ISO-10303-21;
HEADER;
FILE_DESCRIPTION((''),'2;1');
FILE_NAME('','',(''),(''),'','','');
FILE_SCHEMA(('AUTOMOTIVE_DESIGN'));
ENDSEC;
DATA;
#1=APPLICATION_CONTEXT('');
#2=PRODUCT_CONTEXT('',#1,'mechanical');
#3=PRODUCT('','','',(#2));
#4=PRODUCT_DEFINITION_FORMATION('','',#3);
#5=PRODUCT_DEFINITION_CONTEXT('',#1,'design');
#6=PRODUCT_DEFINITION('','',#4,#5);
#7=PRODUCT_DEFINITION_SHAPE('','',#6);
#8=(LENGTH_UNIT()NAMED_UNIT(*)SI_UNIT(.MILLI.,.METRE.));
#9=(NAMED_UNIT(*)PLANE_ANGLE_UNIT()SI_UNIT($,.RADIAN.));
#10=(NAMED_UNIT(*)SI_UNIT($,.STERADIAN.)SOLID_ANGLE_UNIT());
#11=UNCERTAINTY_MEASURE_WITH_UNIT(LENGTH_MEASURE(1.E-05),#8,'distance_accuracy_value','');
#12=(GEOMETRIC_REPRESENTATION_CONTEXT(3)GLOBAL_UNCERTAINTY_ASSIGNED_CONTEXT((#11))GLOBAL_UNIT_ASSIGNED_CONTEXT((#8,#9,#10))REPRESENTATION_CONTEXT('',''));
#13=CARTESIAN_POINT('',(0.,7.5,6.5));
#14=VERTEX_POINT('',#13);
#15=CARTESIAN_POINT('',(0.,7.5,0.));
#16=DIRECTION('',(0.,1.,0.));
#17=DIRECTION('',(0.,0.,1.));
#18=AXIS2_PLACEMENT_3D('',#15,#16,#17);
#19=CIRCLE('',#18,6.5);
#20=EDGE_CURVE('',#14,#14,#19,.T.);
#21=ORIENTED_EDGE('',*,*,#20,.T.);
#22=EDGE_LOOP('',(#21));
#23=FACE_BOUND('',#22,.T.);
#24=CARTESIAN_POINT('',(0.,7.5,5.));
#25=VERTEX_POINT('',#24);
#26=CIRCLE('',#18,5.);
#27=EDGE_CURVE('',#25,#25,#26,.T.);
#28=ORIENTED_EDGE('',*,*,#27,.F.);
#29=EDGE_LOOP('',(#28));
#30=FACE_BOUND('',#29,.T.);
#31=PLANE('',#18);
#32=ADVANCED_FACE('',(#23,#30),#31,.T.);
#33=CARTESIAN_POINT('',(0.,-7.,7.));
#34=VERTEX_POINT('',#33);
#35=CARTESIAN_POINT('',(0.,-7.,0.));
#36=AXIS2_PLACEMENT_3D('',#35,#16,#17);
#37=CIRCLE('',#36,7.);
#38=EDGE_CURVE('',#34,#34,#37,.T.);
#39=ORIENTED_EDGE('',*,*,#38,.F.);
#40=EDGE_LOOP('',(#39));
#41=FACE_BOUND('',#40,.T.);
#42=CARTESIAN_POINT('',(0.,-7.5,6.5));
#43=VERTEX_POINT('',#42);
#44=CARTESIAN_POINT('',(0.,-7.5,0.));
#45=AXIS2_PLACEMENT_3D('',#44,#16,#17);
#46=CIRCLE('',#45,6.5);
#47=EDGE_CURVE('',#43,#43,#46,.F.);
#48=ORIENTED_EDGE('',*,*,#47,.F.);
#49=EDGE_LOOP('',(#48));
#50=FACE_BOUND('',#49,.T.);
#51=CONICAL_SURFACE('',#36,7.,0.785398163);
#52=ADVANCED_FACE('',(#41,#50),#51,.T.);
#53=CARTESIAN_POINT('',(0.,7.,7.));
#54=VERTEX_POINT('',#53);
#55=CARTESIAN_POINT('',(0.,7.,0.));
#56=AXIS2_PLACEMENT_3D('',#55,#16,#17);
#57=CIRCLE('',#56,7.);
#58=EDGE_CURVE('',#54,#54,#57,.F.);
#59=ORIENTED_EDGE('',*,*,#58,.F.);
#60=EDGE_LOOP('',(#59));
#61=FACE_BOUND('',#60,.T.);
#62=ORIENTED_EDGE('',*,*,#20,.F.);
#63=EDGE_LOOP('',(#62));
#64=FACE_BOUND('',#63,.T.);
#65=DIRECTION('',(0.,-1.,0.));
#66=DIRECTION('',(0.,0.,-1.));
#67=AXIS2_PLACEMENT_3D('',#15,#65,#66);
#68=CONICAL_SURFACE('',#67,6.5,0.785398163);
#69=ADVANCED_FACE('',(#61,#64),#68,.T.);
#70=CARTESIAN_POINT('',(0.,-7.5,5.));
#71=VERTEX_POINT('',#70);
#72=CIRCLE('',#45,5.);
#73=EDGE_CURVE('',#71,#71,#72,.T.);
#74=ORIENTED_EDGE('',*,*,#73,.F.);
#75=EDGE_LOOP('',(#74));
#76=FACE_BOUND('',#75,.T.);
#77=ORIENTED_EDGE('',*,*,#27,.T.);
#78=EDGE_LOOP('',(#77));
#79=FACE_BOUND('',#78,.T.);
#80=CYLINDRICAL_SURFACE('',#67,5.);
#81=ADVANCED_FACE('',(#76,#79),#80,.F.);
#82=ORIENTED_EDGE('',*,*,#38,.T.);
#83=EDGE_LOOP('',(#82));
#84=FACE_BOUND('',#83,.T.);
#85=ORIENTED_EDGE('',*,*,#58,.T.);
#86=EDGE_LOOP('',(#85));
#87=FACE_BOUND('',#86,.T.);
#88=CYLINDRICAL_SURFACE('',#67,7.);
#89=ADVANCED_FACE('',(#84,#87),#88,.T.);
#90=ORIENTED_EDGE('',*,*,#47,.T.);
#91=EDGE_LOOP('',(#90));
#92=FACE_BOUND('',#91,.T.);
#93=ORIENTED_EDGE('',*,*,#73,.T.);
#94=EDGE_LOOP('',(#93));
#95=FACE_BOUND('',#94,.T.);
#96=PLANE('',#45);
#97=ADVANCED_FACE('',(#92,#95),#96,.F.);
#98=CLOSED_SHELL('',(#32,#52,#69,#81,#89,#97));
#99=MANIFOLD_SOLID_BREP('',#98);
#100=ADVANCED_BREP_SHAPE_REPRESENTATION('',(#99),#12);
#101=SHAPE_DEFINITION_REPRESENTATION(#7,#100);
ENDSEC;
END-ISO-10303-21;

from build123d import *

# Parameters (mm, degrees)
SKETCH_1_R      = 7
SKETCH_1_R_2    = 5
EXTRUDE_1_DEPTH = 7.5
CHAMFER_1_SIZE  = 0.5


with BuildPart() as part:
    # 草图1 → 凸台-拉伸1 (new, symmetric)
    with BuildSketch(Plane(origin=(0, 0, 0), x_dir=(1, 0, 0), z_dir=(0, 1, 0))):
        with Locations(Location((0, 0, 0), (0, 0, 270))):
            Circle(SKETCH_1_R)
        with Locations(Location((0, 0, 0), (0, 0, 270))):
            Circle(SKETCH_1_R_2, mode=Mode.SUBTRACT)
    extrude(amount=EXTRUDE_1_DEPTH, both=True)

    # 倒角1
    chamfer_1_edges = [part.edges().sort_by_distance(p)[0] for p in [
        (0, -7.5, -7),
        (0, 7.5, -7),
    ]]
    chamfer(chamfer_1_edges, length=CHAMFER_1_SIZE)


solid = part.part
